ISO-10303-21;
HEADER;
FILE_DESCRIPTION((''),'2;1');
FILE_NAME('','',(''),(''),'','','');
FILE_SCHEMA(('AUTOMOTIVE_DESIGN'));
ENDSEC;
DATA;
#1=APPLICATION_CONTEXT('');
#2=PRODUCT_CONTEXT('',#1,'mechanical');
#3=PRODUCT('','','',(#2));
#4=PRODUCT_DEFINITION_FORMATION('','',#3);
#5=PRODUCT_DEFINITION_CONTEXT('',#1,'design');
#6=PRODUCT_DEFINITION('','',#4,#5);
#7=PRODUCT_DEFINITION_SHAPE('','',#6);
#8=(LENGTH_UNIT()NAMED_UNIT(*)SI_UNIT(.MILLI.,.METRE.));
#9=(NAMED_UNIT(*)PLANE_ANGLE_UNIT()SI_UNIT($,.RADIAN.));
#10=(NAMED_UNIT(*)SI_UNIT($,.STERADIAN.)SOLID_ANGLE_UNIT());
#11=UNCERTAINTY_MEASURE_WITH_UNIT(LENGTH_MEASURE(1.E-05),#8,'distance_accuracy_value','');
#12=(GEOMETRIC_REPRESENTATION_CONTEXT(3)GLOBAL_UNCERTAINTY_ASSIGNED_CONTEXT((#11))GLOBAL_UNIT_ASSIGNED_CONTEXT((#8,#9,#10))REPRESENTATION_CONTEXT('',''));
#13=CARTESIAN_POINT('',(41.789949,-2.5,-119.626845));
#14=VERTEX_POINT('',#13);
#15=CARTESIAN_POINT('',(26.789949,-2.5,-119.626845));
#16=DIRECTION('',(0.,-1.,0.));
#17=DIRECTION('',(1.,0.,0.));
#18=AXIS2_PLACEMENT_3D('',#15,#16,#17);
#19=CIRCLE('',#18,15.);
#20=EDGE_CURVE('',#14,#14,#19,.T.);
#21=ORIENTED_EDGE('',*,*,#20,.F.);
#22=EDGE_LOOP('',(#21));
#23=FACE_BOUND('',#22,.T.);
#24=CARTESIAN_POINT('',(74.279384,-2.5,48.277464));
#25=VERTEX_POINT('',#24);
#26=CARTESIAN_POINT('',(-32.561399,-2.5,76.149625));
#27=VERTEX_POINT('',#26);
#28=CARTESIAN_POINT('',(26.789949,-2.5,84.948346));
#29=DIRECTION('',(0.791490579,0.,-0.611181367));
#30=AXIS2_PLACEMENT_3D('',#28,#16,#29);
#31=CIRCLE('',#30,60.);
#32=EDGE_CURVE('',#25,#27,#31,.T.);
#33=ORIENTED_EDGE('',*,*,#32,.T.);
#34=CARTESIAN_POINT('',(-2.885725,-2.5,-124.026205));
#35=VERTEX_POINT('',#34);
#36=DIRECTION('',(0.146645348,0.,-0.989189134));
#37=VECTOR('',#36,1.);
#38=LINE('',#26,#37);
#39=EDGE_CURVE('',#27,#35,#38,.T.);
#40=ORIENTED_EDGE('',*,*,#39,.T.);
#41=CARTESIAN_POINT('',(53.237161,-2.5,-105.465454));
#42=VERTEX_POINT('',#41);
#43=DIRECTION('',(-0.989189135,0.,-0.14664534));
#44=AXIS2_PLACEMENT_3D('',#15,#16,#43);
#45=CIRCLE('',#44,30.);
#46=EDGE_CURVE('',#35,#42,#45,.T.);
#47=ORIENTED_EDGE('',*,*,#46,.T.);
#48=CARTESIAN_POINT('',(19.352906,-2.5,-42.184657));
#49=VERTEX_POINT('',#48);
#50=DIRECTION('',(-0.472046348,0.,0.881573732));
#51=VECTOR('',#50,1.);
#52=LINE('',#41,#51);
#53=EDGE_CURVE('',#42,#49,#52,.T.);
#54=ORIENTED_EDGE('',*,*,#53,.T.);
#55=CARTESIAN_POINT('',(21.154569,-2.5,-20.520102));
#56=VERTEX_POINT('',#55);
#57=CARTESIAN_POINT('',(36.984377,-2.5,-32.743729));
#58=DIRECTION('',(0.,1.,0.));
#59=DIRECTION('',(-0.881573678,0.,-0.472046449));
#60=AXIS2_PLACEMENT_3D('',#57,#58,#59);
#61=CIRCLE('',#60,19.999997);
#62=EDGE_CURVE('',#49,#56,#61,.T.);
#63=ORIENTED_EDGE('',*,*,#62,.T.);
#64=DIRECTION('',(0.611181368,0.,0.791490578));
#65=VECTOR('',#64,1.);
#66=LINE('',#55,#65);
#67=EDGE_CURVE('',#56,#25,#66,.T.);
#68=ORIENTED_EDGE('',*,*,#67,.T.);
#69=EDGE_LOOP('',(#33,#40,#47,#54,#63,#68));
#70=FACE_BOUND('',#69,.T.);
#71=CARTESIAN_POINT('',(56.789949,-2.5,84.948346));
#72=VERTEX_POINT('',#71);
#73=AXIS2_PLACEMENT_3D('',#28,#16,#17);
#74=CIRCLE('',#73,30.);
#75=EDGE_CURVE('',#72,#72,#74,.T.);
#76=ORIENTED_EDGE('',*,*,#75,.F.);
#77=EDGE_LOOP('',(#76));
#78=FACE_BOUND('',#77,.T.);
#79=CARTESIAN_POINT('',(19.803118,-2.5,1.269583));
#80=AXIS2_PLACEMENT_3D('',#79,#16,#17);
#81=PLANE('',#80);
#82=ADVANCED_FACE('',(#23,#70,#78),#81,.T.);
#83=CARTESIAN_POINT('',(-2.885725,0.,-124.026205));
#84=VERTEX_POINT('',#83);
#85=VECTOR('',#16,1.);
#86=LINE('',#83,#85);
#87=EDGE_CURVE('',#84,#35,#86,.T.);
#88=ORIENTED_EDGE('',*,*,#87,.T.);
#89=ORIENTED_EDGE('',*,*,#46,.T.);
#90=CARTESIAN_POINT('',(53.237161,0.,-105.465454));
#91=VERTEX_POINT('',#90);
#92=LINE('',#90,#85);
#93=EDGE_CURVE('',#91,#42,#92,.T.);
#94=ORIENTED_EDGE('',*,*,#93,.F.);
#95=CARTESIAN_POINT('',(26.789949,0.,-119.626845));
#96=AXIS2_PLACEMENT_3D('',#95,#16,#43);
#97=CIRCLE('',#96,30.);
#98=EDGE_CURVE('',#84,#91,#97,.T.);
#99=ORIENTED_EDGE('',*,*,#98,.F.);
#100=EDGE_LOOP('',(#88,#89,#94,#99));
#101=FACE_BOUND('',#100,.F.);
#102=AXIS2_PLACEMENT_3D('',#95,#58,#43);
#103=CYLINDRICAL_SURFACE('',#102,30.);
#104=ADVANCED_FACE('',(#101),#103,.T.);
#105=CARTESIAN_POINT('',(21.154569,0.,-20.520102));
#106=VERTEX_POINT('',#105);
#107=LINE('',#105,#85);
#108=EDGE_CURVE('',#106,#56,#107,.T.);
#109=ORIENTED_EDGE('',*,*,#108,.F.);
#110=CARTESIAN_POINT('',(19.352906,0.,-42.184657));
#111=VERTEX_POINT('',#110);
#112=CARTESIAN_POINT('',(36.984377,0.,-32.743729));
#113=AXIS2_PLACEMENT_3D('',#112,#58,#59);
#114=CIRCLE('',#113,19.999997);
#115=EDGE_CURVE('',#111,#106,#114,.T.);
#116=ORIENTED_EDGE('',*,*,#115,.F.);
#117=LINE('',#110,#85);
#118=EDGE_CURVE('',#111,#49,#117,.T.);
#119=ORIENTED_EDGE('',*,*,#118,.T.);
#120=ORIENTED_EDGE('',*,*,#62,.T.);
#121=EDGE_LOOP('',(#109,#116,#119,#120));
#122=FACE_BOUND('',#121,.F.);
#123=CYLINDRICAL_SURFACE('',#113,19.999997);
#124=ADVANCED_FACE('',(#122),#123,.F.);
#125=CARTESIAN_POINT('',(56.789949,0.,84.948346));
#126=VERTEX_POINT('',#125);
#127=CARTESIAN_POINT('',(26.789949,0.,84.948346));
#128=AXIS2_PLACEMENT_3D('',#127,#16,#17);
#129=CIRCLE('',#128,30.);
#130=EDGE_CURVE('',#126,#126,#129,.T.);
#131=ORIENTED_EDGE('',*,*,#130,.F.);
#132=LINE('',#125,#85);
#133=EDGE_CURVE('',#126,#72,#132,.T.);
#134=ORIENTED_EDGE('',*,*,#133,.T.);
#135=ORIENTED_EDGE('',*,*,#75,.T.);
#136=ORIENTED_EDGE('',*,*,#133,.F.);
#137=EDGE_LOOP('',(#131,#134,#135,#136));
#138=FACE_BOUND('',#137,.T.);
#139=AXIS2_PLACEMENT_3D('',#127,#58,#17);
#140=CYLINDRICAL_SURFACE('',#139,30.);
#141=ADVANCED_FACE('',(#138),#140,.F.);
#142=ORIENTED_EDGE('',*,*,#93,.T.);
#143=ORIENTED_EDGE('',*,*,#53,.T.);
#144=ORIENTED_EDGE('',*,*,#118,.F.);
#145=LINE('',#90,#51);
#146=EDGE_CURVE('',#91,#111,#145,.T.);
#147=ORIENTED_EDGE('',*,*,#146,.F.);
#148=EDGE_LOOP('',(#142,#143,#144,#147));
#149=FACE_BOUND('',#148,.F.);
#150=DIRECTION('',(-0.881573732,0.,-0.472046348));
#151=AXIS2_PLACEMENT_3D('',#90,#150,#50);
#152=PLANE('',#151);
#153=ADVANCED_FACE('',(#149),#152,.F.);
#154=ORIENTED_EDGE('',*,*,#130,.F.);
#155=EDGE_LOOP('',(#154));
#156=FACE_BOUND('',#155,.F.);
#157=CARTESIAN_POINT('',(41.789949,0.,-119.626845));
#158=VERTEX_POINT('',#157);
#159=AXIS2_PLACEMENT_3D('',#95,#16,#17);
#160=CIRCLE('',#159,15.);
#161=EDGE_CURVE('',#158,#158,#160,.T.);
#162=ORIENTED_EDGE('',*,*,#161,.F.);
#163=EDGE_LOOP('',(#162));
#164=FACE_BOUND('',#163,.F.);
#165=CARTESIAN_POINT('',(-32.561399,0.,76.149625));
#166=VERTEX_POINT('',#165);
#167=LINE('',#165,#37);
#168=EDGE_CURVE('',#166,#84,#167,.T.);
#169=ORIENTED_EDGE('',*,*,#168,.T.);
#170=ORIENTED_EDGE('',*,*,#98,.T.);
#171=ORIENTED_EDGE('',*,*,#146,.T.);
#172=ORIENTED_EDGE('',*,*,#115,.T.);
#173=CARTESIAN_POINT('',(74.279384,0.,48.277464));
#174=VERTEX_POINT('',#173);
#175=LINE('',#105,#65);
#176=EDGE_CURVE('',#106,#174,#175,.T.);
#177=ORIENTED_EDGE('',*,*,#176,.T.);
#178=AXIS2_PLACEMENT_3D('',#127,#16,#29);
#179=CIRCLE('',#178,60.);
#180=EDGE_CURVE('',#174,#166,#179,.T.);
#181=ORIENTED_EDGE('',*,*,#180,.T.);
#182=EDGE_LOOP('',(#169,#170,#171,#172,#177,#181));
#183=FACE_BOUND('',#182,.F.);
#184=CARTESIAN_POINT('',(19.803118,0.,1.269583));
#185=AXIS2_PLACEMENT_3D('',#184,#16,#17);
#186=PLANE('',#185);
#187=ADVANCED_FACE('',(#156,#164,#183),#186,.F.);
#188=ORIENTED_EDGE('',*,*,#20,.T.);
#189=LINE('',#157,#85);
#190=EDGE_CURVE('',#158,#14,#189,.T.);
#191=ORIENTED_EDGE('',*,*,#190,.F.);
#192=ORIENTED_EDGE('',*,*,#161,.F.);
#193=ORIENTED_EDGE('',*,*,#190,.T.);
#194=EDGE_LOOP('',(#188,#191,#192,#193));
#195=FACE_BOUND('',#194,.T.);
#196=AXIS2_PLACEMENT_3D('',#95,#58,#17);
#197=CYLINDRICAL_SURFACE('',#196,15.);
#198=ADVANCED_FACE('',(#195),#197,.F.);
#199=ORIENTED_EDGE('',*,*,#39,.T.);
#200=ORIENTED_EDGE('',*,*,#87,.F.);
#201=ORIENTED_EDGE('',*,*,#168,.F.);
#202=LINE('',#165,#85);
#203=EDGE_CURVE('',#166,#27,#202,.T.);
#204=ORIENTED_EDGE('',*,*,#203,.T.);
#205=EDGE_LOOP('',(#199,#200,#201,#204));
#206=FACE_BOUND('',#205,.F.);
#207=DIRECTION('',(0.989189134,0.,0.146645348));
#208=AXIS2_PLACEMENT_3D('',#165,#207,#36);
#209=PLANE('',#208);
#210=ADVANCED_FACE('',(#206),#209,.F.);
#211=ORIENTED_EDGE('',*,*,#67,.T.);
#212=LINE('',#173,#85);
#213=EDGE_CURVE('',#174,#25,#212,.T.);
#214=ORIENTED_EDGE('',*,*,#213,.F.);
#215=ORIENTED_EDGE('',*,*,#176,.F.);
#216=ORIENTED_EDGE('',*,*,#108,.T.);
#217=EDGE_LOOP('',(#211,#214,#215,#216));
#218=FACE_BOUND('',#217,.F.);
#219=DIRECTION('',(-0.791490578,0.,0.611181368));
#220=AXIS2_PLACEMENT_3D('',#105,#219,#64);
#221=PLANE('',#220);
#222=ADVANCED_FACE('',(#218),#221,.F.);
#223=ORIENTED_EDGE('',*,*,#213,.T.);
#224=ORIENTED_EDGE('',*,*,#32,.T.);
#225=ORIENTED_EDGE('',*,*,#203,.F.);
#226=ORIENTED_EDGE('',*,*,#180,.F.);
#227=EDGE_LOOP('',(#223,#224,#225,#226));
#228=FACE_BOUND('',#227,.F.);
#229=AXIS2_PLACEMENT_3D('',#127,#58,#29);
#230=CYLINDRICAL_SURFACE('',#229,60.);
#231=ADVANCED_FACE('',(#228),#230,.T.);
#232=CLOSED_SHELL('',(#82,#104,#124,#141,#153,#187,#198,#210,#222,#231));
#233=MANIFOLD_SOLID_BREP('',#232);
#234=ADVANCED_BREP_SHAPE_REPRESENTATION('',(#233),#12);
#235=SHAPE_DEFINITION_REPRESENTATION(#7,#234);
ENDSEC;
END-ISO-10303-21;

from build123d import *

# Parameters (mm, degrees)
F0_R     = 15
F0_R_2   = 30
F1_DEPTH = 2.5


with BuildPart() as f1:
    # F0 (on Front) → F1 (new body)
    with BuildSketch(Plane.XZ):
        with BuildLine():
            Line((-32.561399, 76.149625), (-2.885725, -124.026205))
            ThreePointArc((-2.885725, -124.026205), (36.209669, -148.109627), (53.237161, -105.465454))
            Line((53.237161, -105.465454), (19.352906, -42.184657))
            ThreePointArc((19.352906, -42.184657), (17.053182, -31.086216), (21.154569, -20.520102))
            Line((21.154569, -20.520102), (74.279384, 48.277464))
            ThreePointArc((74.279384, 48.277464), (41.935595, 143.005296), (-32.561399, 76.149625))
        make_face()
        with Locations((26.789949, -119.626845)):
            Circle(F0_R, mode=Mode.SUBTRACT)
        with Locations((26.789949, 84.948346)):
            Circle(F0_R_2, mode=Mode.SUBTRACT)
    extrude(amount=F1_DEPTH)


solid = f1.part
